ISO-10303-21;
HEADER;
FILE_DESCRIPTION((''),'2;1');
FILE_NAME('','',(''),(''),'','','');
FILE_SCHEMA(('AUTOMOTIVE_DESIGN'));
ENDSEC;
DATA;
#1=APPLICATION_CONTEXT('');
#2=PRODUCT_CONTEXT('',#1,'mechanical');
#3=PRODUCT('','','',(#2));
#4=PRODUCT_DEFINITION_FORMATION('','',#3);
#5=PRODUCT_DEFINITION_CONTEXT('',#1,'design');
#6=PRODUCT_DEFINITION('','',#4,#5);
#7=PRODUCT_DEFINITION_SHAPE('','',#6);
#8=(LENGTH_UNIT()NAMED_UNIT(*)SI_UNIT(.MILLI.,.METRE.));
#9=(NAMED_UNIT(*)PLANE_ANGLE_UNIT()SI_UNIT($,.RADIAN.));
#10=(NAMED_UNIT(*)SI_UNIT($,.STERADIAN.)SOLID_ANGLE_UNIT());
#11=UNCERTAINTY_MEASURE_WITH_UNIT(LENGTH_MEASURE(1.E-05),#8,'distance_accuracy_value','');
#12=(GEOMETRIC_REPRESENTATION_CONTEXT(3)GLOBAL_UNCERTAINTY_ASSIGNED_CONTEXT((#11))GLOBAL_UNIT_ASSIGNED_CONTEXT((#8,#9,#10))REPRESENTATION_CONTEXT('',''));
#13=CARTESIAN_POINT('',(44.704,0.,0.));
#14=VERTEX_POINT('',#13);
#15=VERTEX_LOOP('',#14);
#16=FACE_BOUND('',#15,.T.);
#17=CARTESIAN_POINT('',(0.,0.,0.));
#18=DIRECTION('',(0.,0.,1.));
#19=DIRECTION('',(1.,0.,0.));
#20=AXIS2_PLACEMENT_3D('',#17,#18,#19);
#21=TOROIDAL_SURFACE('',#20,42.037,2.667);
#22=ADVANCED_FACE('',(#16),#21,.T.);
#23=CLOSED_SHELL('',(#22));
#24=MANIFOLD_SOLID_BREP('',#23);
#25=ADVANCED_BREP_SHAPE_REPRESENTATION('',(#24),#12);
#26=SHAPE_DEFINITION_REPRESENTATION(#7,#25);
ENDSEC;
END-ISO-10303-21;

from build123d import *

# Parameters (mm, degrees)
SKETCH1_R = 2.667


with BuildPart() as part:
    # Sketch1 → Revolve1 (revolve)
    with BuildSketch(Plane(origin=(0, 0, 0), x_dir=(0, -1, 0), z_dir=(1, 0, 0)), mode=Mode.PRIVATE) as revolve1_sk:
        with Locations((42.037, 0)):
            Circle(SKETCH1_R)
    revolve(revolve1_sk.sketch.rotate(Axis((0, 0, 2.667), (0, 0, -1)), 270), axis=Axis((0, 0, 2.667), (0, 0, -1)))


solid = part.part
